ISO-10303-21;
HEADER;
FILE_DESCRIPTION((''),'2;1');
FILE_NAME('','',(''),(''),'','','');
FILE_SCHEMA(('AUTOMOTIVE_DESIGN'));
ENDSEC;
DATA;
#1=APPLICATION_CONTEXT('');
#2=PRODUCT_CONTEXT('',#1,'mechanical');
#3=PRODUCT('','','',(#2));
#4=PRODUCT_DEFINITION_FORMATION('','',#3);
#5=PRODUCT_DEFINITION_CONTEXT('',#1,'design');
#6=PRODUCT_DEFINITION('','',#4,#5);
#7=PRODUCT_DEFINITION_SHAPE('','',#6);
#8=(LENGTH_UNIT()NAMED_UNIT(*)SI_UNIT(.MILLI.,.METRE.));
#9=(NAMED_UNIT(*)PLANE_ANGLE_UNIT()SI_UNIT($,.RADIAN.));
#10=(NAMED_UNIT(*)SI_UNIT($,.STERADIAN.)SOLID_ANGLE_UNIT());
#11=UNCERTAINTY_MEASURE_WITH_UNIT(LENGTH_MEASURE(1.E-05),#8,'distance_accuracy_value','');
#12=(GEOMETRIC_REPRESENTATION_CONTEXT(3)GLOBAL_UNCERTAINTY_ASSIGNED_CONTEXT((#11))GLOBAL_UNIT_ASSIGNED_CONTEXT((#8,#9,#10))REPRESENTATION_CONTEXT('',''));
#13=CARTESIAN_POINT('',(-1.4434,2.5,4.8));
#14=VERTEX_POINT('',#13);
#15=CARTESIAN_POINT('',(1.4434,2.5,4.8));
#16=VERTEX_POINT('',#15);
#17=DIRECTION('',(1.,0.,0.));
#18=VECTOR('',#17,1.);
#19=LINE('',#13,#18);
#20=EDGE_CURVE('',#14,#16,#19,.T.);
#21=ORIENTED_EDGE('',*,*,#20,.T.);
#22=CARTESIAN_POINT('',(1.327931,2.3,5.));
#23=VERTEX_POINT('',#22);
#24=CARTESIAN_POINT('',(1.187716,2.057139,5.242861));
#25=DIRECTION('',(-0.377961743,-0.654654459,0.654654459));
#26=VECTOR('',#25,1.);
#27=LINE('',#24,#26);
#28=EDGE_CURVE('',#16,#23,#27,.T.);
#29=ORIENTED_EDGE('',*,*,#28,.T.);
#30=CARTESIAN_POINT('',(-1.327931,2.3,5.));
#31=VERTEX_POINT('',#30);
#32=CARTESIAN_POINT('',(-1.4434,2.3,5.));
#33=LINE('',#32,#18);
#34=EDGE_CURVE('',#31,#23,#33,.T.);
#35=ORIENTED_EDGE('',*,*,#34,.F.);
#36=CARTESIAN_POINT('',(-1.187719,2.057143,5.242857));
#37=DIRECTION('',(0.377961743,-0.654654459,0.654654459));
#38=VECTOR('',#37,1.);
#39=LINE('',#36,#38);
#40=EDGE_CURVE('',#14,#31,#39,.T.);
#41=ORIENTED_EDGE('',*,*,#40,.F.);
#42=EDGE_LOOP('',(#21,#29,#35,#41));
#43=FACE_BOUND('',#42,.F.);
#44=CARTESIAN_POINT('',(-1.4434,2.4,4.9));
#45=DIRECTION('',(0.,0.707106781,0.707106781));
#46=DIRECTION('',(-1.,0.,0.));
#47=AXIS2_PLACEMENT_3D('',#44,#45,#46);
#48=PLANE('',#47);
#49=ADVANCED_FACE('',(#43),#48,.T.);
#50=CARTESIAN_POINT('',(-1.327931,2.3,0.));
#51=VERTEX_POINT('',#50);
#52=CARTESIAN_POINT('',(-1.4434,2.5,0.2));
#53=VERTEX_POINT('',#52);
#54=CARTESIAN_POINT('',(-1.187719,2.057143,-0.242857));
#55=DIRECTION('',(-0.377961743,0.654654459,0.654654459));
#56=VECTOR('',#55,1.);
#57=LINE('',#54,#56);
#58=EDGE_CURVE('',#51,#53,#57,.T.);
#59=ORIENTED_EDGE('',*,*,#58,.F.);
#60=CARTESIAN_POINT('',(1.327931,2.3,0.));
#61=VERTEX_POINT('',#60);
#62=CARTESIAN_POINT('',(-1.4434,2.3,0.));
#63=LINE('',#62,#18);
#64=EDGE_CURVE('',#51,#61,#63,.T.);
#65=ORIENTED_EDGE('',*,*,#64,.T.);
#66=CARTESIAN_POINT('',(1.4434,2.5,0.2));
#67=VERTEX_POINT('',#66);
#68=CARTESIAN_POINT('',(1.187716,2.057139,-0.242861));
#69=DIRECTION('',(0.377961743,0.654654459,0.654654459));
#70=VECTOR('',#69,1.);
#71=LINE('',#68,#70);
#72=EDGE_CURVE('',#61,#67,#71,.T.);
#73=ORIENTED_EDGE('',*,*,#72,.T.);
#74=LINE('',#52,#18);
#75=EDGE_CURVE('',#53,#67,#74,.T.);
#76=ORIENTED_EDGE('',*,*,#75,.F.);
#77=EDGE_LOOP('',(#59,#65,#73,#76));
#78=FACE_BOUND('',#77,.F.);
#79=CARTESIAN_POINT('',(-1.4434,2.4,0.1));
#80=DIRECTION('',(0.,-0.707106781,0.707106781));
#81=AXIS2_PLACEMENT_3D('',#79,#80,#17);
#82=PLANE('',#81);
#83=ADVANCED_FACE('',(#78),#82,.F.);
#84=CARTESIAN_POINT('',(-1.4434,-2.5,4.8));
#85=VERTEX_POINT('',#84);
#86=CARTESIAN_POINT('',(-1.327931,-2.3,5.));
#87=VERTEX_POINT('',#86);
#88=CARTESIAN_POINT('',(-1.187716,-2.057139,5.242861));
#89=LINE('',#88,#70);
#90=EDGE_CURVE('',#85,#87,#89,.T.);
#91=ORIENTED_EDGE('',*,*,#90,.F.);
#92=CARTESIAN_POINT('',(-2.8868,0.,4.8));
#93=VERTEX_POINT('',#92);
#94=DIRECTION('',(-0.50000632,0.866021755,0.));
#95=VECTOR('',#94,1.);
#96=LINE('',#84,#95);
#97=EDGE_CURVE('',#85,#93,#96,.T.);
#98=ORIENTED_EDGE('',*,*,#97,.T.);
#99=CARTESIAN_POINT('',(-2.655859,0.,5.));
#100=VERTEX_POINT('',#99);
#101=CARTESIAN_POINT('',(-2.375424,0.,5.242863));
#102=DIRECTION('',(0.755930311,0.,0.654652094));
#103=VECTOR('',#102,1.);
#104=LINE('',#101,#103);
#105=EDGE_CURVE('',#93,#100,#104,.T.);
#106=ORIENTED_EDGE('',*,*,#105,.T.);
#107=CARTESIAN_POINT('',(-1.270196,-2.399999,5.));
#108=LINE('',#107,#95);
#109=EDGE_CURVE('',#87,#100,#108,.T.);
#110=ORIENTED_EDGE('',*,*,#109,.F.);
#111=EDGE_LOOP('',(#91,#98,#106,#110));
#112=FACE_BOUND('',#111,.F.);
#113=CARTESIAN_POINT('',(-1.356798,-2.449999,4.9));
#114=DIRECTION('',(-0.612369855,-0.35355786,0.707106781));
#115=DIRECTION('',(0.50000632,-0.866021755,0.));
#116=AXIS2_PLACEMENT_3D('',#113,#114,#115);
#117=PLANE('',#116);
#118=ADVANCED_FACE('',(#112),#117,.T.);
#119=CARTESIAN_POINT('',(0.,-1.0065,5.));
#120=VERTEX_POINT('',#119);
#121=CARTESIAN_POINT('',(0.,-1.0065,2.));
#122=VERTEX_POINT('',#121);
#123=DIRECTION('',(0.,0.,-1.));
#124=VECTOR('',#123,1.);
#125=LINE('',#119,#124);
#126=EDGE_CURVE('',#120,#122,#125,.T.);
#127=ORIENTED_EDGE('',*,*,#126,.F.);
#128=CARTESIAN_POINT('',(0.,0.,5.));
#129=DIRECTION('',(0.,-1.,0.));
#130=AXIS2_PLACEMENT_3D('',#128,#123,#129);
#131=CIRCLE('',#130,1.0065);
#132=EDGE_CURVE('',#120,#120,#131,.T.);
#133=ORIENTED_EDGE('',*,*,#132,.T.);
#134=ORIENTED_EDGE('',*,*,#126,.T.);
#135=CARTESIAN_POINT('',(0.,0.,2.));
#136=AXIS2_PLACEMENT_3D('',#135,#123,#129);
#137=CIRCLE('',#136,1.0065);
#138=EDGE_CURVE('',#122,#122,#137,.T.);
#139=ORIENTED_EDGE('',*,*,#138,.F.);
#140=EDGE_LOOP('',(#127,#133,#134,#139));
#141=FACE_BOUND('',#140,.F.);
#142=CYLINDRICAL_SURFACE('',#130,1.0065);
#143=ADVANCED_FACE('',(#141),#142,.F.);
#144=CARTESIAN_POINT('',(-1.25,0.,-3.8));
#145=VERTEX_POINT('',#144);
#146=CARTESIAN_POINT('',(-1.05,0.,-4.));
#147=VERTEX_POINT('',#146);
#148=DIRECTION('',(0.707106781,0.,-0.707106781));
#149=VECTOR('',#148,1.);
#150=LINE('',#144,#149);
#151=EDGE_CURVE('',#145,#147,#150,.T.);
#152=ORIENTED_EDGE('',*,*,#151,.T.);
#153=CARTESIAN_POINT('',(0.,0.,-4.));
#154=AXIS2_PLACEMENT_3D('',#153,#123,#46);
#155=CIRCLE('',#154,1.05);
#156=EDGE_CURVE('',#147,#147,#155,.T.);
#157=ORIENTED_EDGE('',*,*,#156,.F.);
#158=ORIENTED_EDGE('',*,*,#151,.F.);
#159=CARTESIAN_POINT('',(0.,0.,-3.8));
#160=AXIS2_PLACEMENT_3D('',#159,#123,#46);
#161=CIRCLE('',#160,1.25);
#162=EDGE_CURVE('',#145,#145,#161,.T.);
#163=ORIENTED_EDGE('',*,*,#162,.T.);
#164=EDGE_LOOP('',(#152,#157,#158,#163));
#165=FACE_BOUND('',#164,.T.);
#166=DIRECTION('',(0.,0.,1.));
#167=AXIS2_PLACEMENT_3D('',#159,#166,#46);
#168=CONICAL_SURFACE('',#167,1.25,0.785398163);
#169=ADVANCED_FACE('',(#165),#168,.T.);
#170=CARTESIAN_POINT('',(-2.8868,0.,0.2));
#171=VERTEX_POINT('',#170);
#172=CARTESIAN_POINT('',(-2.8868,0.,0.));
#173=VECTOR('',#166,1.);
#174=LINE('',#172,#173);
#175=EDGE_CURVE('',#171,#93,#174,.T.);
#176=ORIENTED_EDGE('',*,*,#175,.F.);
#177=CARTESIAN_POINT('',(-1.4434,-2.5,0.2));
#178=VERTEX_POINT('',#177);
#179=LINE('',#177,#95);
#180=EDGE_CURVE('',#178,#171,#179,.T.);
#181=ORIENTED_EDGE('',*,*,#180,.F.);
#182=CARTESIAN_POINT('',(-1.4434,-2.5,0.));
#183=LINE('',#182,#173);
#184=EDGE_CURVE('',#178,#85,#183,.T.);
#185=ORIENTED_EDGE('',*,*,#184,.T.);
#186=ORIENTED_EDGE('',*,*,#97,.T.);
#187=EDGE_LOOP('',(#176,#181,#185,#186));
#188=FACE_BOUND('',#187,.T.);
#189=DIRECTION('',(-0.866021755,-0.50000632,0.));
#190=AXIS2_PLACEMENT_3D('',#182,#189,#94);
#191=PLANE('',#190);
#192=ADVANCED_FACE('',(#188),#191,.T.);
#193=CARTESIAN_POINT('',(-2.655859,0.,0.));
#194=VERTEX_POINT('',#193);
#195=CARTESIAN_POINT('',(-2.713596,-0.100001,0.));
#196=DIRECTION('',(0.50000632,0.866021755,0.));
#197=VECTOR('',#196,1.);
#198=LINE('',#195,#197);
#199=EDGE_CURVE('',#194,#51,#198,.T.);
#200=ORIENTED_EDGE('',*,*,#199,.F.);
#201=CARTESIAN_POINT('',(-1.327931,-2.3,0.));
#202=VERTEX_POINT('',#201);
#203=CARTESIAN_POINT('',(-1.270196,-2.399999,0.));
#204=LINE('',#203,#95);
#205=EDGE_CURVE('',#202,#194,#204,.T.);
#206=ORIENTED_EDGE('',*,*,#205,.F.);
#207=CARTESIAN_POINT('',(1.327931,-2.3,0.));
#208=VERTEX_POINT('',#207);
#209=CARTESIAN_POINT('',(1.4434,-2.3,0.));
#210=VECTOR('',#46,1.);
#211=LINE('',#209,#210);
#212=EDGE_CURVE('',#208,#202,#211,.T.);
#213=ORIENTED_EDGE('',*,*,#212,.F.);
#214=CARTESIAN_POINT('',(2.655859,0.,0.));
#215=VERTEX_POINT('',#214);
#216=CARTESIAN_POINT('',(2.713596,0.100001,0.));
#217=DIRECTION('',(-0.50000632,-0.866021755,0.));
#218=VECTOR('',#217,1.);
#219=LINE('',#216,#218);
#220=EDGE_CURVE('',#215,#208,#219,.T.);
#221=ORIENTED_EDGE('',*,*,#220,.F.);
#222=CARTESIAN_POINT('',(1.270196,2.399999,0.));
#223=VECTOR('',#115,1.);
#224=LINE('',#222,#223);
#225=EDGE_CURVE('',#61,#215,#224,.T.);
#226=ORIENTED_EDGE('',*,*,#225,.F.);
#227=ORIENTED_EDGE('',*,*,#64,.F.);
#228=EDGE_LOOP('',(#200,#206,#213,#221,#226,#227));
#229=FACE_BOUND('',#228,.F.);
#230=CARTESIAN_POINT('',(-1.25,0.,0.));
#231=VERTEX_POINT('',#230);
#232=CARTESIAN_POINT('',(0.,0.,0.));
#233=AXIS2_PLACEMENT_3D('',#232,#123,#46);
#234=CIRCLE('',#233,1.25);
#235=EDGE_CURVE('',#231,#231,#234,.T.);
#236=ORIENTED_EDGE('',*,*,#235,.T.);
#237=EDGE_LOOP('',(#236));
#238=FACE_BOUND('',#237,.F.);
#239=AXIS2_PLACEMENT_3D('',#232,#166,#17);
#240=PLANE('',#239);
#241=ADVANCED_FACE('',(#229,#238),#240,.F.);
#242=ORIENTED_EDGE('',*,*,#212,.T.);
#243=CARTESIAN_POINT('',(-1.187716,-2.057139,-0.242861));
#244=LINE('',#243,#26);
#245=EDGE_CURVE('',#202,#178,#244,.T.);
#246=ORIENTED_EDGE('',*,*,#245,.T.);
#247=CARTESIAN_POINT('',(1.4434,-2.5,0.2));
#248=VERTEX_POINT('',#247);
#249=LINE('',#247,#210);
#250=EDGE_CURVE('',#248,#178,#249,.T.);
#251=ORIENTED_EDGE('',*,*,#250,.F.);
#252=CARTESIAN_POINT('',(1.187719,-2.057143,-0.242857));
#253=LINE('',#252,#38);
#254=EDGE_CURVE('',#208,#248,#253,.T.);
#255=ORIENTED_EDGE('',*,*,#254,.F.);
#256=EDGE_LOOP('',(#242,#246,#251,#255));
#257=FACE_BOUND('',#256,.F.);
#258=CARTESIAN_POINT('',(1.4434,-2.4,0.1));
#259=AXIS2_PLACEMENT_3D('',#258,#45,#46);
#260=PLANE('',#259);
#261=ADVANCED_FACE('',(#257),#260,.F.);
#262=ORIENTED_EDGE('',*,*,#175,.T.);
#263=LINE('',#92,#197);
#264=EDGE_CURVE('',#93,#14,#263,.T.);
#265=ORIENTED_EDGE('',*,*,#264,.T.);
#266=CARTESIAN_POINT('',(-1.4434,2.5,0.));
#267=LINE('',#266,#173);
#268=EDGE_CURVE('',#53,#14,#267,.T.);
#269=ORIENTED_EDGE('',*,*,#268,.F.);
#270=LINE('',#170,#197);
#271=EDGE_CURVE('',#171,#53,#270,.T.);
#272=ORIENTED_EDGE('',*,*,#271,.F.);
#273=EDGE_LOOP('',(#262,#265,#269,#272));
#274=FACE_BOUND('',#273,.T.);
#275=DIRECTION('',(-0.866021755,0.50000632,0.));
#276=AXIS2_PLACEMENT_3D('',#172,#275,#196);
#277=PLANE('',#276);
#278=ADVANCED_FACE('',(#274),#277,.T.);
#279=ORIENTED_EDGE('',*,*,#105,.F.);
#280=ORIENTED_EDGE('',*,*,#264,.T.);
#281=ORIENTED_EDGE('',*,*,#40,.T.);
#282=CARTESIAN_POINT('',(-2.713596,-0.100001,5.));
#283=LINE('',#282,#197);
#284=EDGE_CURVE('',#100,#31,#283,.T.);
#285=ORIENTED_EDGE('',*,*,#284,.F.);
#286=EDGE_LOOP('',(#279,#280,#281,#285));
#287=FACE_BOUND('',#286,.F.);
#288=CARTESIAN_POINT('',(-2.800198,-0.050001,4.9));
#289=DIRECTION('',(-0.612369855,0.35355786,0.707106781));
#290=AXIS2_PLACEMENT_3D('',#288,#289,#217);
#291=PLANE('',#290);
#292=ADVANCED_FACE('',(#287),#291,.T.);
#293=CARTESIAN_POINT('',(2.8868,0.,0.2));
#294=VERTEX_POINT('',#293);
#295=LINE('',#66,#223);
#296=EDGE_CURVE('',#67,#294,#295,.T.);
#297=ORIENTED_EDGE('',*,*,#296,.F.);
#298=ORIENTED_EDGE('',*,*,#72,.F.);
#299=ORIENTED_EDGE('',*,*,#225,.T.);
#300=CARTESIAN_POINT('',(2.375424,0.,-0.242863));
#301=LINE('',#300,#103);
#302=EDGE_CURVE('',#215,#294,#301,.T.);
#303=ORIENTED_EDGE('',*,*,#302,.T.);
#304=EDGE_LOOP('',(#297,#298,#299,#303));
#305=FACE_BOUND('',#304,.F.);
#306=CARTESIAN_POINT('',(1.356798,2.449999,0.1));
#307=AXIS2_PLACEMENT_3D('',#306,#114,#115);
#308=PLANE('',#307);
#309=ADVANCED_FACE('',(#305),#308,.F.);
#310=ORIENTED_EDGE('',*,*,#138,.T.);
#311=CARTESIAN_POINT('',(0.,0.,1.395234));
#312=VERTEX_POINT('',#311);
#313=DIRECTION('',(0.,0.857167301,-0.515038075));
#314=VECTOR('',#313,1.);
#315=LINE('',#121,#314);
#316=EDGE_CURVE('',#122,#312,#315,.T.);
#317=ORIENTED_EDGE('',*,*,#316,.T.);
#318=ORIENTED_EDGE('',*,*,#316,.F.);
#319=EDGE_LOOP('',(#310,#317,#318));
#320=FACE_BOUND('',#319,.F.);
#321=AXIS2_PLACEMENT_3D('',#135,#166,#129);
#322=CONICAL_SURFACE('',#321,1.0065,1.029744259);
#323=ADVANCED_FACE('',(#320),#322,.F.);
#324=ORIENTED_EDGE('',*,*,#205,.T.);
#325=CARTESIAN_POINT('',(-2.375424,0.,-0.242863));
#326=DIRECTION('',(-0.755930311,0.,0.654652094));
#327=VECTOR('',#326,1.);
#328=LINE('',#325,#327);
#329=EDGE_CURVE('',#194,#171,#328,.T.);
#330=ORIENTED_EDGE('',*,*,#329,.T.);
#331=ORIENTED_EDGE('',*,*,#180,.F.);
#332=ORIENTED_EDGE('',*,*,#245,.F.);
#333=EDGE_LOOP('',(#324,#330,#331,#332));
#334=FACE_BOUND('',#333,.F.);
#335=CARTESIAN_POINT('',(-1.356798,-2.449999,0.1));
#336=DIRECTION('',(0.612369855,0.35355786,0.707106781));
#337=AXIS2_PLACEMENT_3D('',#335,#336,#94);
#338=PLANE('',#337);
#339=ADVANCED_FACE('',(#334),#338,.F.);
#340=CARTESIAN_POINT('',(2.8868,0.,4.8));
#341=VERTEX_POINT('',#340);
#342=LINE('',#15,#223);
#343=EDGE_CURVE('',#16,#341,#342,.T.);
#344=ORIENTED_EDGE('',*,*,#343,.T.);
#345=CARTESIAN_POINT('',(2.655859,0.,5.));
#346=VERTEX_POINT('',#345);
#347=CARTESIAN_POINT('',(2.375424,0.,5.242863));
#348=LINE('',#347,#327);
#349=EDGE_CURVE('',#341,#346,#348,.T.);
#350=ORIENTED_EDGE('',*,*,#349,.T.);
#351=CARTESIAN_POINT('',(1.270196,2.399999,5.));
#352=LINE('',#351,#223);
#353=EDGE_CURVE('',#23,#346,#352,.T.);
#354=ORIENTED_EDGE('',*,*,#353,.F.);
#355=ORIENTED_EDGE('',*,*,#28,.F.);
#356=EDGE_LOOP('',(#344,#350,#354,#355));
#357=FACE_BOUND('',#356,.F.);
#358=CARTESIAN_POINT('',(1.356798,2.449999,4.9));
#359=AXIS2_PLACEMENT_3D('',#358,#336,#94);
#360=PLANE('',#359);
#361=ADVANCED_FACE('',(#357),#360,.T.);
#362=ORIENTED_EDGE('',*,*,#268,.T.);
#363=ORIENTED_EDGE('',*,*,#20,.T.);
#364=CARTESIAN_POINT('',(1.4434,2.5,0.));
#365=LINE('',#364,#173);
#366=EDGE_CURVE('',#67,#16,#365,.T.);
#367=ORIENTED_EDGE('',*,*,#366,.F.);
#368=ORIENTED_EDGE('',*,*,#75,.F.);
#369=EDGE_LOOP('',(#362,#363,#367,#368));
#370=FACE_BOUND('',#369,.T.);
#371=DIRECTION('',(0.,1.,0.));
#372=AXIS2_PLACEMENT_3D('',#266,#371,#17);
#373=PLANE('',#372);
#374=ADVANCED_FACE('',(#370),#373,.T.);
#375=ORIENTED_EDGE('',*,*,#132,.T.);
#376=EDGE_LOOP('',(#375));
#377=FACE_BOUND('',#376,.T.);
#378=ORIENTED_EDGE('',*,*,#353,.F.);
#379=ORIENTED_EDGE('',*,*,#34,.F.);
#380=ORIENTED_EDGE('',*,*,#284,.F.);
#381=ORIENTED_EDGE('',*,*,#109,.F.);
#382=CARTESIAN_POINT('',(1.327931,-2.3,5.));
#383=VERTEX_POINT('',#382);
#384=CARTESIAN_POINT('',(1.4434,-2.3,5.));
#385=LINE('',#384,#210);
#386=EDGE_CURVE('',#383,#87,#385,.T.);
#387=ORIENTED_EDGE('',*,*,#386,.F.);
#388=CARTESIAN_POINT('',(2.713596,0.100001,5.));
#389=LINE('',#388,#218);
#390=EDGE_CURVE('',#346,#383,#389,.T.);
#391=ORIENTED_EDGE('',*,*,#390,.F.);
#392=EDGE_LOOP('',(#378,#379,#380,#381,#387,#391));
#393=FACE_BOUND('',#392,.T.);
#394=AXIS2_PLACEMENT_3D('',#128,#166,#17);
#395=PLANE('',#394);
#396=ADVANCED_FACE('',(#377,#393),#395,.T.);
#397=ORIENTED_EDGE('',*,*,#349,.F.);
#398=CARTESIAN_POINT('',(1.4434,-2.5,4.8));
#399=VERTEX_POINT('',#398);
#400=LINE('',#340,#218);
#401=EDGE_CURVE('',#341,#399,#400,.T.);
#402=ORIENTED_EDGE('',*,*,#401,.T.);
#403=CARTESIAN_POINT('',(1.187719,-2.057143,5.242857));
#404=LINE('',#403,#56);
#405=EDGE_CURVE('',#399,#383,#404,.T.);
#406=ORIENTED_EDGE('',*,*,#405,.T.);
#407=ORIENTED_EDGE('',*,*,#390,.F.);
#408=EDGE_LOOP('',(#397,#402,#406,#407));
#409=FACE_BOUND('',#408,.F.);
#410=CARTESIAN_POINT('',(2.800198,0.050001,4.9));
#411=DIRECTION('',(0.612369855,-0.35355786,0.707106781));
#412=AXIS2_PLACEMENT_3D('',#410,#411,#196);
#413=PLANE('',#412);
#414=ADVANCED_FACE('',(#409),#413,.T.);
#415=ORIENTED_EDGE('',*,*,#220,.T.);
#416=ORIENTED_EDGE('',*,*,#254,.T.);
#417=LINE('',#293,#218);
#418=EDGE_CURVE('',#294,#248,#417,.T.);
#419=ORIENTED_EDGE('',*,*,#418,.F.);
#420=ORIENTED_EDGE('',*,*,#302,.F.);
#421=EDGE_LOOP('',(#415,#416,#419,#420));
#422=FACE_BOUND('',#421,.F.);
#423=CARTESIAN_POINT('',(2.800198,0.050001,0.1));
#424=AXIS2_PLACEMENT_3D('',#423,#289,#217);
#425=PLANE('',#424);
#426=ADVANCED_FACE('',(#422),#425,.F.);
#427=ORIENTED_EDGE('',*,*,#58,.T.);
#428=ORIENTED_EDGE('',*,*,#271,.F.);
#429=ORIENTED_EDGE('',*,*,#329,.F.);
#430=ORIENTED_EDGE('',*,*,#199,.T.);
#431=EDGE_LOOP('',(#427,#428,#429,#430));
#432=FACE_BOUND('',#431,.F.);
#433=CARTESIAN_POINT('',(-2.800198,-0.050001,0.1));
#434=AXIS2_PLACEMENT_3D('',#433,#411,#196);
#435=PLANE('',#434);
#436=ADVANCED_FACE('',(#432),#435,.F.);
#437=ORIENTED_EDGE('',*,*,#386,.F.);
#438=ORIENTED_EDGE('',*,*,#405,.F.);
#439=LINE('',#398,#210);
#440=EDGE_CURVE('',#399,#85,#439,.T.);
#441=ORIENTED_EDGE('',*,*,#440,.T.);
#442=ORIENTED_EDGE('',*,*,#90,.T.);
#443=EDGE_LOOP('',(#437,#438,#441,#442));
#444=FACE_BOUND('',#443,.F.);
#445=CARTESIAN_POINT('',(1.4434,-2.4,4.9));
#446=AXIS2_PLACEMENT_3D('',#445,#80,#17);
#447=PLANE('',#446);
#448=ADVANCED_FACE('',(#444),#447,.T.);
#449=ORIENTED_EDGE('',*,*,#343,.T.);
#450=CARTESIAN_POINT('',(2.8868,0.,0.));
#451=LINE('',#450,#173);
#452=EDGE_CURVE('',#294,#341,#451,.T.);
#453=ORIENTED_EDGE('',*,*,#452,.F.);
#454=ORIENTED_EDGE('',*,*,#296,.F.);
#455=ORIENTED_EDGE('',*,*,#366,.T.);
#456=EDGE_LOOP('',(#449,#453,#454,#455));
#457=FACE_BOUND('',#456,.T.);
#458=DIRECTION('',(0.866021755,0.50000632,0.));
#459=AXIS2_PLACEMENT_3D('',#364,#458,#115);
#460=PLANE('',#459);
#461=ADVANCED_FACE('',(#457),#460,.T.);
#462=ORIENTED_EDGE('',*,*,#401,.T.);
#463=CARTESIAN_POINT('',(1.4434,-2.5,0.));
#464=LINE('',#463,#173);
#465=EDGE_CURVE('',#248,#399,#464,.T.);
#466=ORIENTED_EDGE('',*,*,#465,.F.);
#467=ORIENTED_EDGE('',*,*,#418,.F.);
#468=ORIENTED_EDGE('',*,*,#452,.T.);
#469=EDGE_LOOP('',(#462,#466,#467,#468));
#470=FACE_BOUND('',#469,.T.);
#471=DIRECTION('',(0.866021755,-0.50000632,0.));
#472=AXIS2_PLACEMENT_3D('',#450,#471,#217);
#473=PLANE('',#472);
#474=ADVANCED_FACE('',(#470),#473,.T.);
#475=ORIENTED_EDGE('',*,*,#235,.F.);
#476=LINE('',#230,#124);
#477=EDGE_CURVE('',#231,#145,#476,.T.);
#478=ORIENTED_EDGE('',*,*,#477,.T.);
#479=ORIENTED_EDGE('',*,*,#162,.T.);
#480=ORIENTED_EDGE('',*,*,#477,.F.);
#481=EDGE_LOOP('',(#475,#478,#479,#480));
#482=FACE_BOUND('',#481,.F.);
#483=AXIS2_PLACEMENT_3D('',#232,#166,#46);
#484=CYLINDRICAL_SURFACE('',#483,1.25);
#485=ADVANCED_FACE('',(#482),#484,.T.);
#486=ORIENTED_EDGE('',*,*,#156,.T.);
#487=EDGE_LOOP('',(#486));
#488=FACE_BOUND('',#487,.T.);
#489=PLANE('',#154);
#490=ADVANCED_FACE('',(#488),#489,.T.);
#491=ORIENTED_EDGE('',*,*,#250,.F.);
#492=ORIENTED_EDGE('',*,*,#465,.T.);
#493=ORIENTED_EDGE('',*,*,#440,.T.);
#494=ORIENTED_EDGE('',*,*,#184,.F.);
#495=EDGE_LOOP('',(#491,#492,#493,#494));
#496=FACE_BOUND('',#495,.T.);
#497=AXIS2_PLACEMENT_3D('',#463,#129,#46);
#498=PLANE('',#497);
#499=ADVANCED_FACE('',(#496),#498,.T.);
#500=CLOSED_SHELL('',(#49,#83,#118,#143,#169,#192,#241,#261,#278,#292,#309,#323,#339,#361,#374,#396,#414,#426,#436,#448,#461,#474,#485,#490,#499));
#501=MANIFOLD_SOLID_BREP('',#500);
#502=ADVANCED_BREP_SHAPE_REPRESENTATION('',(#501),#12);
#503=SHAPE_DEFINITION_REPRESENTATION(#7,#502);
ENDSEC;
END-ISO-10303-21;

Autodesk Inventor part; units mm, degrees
ref_plane "YZ Plane" through (0, 0, 0) normal (1, 0, 0) x (0, 1, 0)
ref_plane "XZ Plane" through (0, 0, 0) normal (0, 1, 0) x (-1, 0, 0)
ref_plane "XY Plane" through (0, 0, 0) normal (0, 0, 1) x (1, 0, 0)
sketch "Skizze1" plane through (0, 0, 0) normal (0, 0, 1) x (1, 0, 0)
  line L0 (1.4434, 2.5) -> (2.8868, 0)
  line L1 (2.8868, 0) -> (1.4434, -2.5)
  line L2 (1.4434, -2.5) -> (-1.4434, -2.5)
  line L3 (-1.4434, -2.5) -> (-2.8868, 0)
  line L4 (-2.8868, 0) -> (-1.4434, 2.5)
  line L5 (-1.4434, 2.5) -> (1.4434, 2.5)
  point P0 (0, 0)
  point P1 (0, 0)
  dimension "d0" = 5
extrude "Extrusion1" add sketch "Skizze1" along normal blind 5
sketch "Skizze2" plane through (0, 0, 0) normal (0, 0, -1) x (-1, 0, 0)
  circle A0 centre (0, 0) radius 1.25
  dimension "d3" = 2.5
extrude "Extrusion2" add sketch "Skizze2" along normal blind 4
chamfer "Fasen1" distance 0.2 angle 45 1 edges at (1.25, 0, -4)
sketch "Skizze3" plane through (0, 0, 5) normal (0, 0, 1) x (1, 0, 0)
  point P0 (0, 0)
  point P1 (0, 0)
hole "Bohrung1" at (0, 0, 5) direction (0, 0, -1) diameter 2.013 depth 3 tip angle 118 thread size "M2.5x0.45" class "6H" standard "ISO Metric profile"
thread "Gewinde1" size "M2.5x0.45" class "6g" standard "ISO Metric profile" full length
chamfer "Fasen2" distance 0.2 angle 45 12 edges at (2.1651, 1.25, 5) (2.1651, -1.25, 5) (0, -2.5, 5) (-2.1651, -1.25, 5) (-2.1651, 1.25, 5) (0, 2.5, 5) (0, 2.5, 0) (2.1651, 1.25, 0) (2.1651, -1.25, 0) (-2.1651, 1.25, 0) (-2.1651, -1.25, 0) (0, -2.5, 0)
properties part number "Abstandsbolzen_Jetson"
